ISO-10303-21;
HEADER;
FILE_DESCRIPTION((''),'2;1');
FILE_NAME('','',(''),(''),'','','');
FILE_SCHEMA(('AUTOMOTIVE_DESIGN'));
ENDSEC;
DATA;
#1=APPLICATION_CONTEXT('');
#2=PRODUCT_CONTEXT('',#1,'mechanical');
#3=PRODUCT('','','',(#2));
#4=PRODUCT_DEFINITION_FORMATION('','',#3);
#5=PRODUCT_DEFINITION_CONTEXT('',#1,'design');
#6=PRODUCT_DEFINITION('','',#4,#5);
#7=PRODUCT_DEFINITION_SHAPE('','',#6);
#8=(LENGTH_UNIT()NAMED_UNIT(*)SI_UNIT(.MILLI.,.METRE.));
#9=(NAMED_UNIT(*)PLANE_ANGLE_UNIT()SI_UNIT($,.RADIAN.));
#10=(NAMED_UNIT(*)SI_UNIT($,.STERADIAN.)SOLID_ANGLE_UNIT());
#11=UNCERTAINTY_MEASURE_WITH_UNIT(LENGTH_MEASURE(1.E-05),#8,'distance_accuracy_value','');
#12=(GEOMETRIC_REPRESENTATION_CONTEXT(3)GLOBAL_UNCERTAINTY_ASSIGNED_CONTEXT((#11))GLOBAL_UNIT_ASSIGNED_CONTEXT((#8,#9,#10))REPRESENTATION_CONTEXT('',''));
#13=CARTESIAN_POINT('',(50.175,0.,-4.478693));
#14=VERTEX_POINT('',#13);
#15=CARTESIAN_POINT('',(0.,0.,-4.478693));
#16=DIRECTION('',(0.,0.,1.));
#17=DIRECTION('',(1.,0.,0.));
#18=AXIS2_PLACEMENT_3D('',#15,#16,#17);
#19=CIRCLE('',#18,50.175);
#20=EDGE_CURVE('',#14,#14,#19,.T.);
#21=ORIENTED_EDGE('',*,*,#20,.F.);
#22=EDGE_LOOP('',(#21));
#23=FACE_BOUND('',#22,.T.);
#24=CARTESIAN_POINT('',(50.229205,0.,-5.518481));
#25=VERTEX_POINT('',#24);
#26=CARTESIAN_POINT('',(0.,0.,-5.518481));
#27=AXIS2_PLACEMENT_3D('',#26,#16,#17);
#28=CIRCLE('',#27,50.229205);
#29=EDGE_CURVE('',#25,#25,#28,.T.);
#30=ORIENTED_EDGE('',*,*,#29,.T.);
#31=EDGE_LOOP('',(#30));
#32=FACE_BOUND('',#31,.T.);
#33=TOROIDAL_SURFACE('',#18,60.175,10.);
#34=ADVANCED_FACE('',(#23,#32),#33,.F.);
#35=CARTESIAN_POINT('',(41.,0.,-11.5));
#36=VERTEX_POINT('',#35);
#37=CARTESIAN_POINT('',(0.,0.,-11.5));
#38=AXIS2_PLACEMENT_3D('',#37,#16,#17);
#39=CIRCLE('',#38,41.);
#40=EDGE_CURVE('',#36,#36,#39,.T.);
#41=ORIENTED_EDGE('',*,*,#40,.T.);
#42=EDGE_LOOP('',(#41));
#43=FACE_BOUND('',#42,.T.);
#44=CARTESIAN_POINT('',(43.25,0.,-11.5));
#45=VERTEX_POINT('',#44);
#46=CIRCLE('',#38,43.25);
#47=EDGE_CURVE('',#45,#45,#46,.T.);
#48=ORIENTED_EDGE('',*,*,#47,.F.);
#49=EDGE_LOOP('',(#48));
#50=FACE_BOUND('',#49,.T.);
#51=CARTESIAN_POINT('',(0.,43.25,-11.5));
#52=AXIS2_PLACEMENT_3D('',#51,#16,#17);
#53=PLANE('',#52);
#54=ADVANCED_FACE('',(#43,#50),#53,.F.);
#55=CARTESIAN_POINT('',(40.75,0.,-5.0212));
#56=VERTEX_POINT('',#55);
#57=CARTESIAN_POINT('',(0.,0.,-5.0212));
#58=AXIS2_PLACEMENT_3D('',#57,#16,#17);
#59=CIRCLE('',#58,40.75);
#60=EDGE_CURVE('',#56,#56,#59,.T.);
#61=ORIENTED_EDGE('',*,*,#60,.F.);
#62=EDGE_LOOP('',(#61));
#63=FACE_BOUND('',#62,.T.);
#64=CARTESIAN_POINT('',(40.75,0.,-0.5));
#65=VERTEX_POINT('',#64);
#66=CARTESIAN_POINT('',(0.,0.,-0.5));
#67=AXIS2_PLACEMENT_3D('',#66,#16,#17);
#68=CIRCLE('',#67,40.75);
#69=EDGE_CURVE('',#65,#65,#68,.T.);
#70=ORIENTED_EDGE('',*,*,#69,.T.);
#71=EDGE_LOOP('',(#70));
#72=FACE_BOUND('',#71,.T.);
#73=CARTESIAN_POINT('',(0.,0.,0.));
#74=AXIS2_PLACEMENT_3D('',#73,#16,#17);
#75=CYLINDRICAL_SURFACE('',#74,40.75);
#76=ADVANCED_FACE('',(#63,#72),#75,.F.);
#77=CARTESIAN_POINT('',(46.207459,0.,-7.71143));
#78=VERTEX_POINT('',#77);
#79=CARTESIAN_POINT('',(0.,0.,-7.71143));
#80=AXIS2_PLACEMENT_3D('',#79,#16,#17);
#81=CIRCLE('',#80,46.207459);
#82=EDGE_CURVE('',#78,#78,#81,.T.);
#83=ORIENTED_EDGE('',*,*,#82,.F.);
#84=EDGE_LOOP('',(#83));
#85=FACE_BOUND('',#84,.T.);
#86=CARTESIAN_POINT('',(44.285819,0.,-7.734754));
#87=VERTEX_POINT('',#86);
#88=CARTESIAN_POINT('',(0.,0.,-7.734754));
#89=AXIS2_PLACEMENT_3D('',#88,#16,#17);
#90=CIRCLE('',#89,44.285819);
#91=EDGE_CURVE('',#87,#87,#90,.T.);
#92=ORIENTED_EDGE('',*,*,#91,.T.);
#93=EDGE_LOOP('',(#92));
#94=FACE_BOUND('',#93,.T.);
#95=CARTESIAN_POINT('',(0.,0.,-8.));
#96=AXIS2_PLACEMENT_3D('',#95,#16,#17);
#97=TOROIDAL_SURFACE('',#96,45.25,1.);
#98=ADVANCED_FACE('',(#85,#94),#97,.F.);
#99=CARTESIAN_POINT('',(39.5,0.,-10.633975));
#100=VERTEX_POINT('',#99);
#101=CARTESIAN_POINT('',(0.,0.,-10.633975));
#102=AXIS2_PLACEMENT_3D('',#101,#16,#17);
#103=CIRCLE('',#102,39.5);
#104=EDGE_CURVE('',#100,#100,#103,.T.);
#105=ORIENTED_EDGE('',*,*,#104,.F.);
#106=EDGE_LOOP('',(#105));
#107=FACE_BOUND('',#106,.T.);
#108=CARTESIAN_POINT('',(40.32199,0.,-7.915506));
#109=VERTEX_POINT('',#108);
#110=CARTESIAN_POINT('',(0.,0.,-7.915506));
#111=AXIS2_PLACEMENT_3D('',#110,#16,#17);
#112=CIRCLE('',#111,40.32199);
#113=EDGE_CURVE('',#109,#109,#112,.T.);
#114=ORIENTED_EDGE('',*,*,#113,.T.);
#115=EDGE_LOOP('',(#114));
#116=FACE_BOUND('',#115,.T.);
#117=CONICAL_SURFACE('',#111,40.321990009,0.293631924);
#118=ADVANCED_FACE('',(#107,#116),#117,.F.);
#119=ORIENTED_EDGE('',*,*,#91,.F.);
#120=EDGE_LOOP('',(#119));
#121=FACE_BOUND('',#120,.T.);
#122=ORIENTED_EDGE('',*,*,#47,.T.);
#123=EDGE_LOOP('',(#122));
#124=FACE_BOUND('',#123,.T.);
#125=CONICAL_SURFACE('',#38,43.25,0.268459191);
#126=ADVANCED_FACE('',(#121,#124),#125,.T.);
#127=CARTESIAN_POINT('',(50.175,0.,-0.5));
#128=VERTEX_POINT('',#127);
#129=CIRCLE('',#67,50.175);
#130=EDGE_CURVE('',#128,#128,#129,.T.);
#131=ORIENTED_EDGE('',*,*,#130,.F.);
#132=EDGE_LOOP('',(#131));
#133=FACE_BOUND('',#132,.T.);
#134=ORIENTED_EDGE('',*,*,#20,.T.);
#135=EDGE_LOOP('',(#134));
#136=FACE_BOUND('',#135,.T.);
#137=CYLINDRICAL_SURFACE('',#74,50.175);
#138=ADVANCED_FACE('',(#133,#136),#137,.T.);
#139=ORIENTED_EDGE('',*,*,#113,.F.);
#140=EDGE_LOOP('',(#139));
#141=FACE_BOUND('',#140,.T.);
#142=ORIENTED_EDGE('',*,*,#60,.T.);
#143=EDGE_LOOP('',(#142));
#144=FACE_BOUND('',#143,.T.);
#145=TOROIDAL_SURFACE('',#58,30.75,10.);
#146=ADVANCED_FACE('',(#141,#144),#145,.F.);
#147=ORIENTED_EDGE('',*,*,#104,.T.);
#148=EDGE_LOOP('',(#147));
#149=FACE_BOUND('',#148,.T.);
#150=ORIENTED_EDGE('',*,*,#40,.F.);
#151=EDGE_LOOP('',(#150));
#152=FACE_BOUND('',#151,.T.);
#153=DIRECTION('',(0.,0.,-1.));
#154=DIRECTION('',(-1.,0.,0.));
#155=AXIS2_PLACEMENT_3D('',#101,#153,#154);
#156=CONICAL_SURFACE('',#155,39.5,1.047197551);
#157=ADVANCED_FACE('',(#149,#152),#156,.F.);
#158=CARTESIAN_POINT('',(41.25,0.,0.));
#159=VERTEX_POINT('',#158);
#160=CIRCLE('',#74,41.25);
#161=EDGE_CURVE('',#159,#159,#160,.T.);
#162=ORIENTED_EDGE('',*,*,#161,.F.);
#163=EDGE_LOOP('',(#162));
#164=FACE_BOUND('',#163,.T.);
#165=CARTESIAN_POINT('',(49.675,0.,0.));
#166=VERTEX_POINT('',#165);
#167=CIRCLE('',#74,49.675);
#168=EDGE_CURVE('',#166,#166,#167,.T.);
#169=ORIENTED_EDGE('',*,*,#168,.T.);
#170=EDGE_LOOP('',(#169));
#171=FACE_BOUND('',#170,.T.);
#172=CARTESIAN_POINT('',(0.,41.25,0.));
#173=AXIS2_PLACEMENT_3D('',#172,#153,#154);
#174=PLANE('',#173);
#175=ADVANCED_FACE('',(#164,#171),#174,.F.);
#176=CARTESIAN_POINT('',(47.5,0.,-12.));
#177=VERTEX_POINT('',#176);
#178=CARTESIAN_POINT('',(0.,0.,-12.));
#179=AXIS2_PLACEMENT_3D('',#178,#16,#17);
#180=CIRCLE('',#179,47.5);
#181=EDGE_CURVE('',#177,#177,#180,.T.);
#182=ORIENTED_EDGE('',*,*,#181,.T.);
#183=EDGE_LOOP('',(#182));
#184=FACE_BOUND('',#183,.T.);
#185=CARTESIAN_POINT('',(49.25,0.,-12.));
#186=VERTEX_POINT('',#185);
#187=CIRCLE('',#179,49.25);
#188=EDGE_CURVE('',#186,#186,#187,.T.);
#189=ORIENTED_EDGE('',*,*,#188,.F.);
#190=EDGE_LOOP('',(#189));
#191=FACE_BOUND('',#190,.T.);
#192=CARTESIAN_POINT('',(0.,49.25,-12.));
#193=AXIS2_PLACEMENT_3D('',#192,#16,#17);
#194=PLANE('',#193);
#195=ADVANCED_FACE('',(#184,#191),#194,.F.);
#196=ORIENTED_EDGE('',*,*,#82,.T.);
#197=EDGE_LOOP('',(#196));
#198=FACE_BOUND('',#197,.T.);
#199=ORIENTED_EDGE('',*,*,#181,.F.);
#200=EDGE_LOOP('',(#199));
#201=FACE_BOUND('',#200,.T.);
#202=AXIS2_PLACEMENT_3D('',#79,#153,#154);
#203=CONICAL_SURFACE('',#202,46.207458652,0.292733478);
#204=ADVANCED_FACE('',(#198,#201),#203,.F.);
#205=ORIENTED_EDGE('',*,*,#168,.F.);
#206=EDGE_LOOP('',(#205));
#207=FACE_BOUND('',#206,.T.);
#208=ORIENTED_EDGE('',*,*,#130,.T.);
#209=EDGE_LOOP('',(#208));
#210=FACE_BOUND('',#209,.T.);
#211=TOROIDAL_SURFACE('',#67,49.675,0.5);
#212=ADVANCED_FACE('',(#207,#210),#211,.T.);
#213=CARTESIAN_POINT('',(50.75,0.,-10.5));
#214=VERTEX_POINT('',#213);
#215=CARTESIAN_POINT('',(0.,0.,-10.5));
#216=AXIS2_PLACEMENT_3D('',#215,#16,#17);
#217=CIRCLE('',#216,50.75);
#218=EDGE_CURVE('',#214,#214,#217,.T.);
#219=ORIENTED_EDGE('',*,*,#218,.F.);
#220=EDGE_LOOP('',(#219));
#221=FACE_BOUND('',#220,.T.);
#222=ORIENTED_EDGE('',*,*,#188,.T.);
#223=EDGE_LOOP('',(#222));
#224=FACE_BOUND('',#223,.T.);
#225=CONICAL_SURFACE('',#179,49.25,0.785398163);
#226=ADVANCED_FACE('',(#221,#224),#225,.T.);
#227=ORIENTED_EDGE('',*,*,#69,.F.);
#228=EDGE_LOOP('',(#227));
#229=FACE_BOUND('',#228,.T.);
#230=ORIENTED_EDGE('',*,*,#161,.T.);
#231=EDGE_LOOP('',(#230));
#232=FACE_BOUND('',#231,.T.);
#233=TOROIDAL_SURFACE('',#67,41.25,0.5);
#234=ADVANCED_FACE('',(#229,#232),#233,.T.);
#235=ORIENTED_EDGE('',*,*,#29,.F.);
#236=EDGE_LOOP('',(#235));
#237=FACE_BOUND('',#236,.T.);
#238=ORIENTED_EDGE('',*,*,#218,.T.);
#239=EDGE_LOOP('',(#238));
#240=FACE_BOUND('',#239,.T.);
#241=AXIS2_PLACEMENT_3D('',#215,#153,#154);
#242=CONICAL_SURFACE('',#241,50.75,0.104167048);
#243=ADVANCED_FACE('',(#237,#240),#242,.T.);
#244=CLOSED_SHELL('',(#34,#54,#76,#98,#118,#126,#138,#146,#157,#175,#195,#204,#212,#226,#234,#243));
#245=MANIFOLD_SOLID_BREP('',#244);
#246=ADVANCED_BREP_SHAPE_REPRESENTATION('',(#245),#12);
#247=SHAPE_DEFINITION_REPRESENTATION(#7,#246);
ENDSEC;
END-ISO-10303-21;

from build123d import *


with BuildPart() as part:
    # Sketch1 → Revolve1 (revolve)
    with BuildSketch(Plane(origin=(0, 0, 0), x_dir=(0, 0, -1), z_dir=(1, 0, 0))):
        with BuildLine():
            Line((0, 41.25), (0, 49.675))
            ThreePointArc((0, 49.675), (0.146446609, 50.028553391), (0.5, 50.175))
            Line((0.5, 50.175), (4.478693294, 50.175))
            ThreePointArc((4.478693294, 50.175), (4.999293087, 50.188560401), (5.518480971, 50.229204829))
            Line((5.518480971, 50.229204829), (10.5, 50.75))
            Line((10.5, 50.75), (12, 49.25))
            Line((12, 49.25), (12, 47.5))
            Line((12, 47.5), (7.711429508, 46.207458652))
            ThreePointArc((7.711429508, 46.207458652), (7.000073654, 45.237863155), (7.734753866, 44.285819266))
            Line((7.734753866, 44.285819266), (11.5, 43.25))
            Line((11.5, 43.25), (11.5, 41))
            Line((11.5, 41), (10.633974596, 39.5))
            Line((10.633974596, 39.5), (7.915505944, 40.321990009))
            ThreePointArc((7.915505944, 40.321990009), (6.484090894, 40.642418817), (5.021199936, 40.75))
            Line((5.021199936, 40.75), (0.5, 40.75))
            ThreePointArc((0.5, 40.75), (0.146446609, 40.896446609), (0, 41.25))
        make_face()
    revolve(axis=Axis((0, 0, 0), (0, 0, -1)))


solid = part.part
